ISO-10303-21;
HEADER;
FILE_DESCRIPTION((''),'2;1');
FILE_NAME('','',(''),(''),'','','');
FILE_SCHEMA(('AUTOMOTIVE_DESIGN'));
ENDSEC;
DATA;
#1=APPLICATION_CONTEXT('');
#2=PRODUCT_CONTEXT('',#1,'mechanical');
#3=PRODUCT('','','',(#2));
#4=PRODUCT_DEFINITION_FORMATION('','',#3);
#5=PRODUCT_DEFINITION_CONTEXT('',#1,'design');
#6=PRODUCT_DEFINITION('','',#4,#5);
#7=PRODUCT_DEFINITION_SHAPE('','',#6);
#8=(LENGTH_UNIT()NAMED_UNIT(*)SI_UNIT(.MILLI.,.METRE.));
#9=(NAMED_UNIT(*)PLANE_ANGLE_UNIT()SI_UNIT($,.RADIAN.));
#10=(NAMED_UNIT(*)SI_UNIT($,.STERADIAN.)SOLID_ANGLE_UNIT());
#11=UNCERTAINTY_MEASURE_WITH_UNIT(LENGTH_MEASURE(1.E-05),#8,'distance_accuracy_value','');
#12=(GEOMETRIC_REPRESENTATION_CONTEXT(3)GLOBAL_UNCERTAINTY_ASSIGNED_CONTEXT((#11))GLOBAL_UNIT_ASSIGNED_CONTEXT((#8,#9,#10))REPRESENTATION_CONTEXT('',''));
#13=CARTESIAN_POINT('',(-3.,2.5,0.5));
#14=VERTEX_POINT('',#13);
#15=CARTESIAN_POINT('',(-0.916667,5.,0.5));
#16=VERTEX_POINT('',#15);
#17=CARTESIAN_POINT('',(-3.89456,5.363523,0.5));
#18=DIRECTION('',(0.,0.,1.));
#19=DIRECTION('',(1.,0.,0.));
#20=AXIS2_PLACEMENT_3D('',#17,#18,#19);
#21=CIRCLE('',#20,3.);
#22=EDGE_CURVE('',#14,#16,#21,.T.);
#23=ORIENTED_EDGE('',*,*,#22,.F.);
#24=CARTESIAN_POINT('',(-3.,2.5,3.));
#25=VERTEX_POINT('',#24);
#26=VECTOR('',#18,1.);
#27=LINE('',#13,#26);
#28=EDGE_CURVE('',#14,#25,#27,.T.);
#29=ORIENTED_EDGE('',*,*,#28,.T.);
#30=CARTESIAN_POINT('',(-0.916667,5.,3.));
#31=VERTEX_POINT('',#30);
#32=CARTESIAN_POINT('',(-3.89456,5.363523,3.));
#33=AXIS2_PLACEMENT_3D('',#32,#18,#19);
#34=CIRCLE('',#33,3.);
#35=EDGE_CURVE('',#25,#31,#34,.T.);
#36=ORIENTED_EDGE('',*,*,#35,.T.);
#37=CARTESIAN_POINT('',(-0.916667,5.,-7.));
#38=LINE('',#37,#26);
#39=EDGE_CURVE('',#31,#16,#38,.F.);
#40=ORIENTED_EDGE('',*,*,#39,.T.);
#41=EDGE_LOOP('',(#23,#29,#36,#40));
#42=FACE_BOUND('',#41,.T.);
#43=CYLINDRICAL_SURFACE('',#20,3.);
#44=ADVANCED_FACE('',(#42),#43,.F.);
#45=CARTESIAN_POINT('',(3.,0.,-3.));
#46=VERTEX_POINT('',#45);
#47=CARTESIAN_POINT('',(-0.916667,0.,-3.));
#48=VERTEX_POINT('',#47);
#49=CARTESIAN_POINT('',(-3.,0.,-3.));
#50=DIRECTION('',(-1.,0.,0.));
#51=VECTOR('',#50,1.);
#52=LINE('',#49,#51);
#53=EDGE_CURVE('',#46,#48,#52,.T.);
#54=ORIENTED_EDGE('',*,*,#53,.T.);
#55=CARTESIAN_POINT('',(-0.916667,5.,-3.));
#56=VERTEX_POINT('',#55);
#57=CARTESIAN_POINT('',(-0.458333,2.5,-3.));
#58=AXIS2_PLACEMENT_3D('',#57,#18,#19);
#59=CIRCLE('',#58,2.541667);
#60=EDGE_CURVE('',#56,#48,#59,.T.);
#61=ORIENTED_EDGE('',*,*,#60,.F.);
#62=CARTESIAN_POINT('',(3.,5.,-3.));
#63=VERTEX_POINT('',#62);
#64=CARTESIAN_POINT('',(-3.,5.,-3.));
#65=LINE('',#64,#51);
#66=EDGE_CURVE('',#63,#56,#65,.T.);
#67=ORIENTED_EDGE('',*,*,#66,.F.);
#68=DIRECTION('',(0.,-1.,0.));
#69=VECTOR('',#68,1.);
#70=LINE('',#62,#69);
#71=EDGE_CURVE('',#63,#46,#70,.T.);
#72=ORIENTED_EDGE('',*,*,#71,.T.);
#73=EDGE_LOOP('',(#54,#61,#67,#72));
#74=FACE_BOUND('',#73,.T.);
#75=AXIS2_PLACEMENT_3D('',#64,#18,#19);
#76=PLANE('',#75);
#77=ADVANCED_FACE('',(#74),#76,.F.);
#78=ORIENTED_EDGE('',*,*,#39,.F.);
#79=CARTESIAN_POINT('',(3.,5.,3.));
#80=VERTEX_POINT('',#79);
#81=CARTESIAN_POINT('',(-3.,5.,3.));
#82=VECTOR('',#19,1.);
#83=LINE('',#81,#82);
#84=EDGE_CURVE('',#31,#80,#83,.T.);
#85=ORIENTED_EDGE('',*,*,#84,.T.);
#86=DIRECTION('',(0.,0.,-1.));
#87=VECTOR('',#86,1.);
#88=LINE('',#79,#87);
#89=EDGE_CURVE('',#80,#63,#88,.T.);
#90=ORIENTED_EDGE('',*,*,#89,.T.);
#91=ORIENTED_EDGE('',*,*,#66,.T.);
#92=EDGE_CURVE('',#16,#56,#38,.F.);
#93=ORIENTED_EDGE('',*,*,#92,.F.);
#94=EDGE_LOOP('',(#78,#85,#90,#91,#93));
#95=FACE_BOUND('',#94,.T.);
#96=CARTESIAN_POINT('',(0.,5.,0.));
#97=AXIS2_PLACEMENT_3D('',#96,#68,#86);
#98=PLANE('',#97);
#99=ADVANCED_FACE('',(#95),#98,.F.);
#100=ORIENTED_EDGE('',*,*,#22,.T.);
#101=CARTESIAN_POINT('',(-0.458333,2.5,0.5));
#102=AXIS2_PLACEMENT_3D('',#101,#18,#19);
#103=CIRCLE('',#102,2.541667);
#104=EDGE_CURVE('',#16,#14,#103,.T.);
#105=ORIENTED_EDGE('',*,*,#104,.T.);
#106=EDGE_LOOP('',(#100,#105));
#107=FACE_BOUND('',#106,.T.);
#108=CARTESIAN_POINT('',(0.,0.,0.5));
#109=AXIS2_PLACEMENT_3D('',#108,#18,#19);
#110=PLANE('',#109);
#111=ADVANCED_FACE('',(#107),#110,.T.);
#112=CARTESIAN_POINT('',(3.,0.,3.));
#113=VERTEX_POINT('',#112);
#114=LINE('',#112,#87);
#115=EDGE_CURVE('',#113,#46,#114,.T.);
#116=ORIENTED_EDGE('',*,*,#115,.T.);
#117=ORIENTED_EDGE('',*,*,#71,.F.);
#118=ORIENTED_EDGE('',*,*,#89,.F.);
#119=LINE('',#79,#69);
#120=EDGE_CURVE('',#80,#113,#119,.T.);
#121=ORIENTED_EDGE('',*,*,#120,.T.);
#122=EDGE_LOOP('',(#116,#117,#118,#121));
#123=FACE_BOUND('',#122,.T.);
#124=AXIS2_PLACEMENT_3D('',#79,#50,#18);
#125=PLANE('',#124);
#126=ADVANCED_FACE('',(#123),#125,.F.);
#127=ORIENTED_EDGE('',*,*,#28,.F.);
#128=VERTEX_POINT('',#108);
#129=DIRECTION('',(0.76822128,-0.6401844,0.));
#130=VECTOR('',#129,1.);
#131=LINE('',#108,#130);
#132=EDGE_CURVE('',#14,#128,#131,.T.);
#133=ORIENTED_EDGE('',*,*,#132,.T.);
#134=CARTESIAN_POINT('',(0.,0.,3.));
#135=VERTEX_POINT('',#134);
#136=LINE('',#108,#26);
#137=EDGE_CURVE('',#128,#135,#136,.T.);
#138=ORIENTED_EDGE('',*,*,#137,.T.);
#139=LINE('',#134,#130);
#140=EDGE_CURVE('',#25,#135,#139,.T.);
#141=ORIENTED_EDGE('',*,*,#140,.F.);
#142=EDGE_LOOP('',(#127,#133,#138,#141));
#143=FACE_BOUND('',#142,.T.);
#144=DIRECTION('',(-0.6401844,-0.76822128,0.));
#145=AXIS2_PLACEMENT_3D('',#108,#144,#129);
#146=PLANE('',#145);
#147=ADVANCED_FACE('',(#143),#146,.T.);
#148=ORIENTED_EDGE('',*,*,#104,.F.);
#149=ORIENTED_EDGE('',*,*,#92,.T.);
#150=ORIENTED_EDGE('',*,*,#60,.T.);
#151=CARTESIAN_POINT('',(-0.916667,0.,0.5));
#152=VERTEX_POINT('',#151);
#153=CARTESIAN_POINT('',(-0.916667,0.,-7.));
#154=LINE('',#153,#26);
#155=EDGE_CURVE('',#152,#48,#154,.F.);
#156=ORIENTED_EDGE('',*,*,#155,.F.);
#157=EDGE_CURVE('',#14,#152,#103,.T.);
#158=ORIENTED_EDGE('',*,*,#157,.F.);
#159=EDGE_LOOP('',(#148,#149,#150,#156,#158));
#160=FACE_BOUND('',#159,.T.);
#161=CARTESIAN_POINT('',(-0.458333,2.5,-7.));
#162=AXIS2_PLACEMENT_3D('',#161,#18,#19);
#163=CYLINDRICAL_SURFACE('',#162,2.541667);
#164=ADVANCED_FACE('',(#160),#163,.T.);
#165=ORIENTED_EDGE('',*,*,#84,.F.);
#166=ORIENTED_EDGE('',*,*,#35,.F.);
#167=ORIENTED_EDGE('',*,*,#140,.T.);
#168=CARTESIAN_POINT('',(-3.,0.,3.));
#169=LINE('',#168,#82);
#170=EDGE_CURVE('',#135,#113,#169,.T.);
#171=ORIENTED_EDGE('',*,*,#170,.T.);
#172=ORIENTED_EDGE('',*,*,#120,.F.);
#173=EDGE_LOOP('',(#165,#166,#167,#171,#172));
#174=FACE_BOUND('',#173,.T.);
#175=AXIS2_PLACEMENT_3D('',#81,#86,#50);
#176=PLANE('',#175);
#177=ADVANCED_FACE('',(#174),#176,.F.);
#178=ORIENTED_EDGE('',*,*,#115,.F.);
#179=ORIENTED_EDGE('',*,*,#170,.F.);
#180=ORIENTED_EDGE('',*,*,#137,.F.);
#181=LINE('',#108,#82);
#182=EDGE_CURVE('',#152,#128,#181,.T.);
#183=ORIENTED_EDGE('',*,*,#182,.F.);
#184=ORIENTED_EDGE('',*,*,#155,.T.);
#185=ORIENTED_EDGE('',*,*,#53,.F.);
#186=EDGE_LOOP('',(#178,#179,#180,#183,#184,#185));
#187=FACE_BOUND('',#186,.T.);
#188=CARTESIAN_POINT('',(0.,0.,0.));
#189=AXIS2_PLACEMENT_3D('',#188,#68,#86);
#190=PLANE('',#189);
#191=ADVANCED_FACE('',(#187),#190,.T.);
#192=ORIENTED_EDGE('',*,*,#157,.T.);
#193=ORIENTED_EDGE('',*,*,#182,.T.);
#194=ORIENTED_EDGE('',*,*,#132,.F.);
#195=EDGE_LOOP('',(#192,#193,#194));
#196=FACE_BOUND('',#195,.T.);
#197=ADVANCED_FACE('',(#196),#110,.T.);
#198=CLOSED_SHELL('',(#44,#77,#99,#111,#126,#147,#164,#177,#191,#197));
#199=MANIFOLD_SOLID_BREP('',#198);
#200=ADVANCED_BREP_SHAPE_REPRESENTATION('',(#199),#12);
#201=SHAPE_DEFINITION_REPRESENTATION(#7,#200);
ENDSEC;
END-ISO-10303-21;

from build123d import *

# Parameters (mm, degrees)
SKETCH1_W           = 6
SKETCH1_H           = 6
BOSS_EXTRUDE1_DEPTH = 5
CUT_EXTRUDE2_DEPTH  = 10
CUT_EXTRUDE3_DEPTH  = 2.5


with BuildPart() as part:
    # Sketch1 → Boss-Extrude1 (new body)
    with BuildSketch(Plane(origin=(0, 0, 0), x_dir=(1, 0, 0), z_dir=(0, 1, 0))):
        Rectangle(SKETCH1_W, SKETCH1_H)
    extrude(amount=BOSS_EXTRUDE1_DEPTH)

    # Sketch5 → Cut-Extrude2 (cut)
    with BuildSketch(Plane.XY.offset(3)):
        with BuildLine():
            Line((-3, 5), (-3, 2.5))
            ThreePointArc((-3, 2.5), (-2.410895752, 4.127135349), (-0.916666667, 5))
            Line((-0.916666667, 5), (-3, 5))
        make_face()
        with BuildLine():
            Line((-3, 0), (-0.916666667, 0))
            ThreePointArc((-0.916666667, 0), (-2.410895752, 0.872864651), (-3, 2.5))
            Line((-3, 2.5), (-3, 0))
        make_face()
    extrude(amount=-CUT_EXTRUDE2_DEPTH, mode=Mode.SUBTRACT)

    # Sketch6 → Cut-Extrude3 (cut)
    with BuildSketch(Plane.XY.offset(3)):
        with BuildLine():
            ThreePointArc((-0.916666667, 5), (-2.410895752, 4.127135349), (-3, 2.5))
            ThreePointArc((-3, 2.5), (-1.589896602, 3.44296939), (-0.916666667, 5))
        make_face()
        with BuildLine():
            Line((0, 0), (-3, 2.5))
            ThreePointArc((-3, 2.5), (-2.410895752, 0.872864651), (-0.916666667, 0))
            Line((-0.916666667, 0), (0, 0))
        make_face()
    extrude(amount=-CUT_EXTRUDE3_DEPTH, mode=Mode.SUBTRACT)


solid = part.part
